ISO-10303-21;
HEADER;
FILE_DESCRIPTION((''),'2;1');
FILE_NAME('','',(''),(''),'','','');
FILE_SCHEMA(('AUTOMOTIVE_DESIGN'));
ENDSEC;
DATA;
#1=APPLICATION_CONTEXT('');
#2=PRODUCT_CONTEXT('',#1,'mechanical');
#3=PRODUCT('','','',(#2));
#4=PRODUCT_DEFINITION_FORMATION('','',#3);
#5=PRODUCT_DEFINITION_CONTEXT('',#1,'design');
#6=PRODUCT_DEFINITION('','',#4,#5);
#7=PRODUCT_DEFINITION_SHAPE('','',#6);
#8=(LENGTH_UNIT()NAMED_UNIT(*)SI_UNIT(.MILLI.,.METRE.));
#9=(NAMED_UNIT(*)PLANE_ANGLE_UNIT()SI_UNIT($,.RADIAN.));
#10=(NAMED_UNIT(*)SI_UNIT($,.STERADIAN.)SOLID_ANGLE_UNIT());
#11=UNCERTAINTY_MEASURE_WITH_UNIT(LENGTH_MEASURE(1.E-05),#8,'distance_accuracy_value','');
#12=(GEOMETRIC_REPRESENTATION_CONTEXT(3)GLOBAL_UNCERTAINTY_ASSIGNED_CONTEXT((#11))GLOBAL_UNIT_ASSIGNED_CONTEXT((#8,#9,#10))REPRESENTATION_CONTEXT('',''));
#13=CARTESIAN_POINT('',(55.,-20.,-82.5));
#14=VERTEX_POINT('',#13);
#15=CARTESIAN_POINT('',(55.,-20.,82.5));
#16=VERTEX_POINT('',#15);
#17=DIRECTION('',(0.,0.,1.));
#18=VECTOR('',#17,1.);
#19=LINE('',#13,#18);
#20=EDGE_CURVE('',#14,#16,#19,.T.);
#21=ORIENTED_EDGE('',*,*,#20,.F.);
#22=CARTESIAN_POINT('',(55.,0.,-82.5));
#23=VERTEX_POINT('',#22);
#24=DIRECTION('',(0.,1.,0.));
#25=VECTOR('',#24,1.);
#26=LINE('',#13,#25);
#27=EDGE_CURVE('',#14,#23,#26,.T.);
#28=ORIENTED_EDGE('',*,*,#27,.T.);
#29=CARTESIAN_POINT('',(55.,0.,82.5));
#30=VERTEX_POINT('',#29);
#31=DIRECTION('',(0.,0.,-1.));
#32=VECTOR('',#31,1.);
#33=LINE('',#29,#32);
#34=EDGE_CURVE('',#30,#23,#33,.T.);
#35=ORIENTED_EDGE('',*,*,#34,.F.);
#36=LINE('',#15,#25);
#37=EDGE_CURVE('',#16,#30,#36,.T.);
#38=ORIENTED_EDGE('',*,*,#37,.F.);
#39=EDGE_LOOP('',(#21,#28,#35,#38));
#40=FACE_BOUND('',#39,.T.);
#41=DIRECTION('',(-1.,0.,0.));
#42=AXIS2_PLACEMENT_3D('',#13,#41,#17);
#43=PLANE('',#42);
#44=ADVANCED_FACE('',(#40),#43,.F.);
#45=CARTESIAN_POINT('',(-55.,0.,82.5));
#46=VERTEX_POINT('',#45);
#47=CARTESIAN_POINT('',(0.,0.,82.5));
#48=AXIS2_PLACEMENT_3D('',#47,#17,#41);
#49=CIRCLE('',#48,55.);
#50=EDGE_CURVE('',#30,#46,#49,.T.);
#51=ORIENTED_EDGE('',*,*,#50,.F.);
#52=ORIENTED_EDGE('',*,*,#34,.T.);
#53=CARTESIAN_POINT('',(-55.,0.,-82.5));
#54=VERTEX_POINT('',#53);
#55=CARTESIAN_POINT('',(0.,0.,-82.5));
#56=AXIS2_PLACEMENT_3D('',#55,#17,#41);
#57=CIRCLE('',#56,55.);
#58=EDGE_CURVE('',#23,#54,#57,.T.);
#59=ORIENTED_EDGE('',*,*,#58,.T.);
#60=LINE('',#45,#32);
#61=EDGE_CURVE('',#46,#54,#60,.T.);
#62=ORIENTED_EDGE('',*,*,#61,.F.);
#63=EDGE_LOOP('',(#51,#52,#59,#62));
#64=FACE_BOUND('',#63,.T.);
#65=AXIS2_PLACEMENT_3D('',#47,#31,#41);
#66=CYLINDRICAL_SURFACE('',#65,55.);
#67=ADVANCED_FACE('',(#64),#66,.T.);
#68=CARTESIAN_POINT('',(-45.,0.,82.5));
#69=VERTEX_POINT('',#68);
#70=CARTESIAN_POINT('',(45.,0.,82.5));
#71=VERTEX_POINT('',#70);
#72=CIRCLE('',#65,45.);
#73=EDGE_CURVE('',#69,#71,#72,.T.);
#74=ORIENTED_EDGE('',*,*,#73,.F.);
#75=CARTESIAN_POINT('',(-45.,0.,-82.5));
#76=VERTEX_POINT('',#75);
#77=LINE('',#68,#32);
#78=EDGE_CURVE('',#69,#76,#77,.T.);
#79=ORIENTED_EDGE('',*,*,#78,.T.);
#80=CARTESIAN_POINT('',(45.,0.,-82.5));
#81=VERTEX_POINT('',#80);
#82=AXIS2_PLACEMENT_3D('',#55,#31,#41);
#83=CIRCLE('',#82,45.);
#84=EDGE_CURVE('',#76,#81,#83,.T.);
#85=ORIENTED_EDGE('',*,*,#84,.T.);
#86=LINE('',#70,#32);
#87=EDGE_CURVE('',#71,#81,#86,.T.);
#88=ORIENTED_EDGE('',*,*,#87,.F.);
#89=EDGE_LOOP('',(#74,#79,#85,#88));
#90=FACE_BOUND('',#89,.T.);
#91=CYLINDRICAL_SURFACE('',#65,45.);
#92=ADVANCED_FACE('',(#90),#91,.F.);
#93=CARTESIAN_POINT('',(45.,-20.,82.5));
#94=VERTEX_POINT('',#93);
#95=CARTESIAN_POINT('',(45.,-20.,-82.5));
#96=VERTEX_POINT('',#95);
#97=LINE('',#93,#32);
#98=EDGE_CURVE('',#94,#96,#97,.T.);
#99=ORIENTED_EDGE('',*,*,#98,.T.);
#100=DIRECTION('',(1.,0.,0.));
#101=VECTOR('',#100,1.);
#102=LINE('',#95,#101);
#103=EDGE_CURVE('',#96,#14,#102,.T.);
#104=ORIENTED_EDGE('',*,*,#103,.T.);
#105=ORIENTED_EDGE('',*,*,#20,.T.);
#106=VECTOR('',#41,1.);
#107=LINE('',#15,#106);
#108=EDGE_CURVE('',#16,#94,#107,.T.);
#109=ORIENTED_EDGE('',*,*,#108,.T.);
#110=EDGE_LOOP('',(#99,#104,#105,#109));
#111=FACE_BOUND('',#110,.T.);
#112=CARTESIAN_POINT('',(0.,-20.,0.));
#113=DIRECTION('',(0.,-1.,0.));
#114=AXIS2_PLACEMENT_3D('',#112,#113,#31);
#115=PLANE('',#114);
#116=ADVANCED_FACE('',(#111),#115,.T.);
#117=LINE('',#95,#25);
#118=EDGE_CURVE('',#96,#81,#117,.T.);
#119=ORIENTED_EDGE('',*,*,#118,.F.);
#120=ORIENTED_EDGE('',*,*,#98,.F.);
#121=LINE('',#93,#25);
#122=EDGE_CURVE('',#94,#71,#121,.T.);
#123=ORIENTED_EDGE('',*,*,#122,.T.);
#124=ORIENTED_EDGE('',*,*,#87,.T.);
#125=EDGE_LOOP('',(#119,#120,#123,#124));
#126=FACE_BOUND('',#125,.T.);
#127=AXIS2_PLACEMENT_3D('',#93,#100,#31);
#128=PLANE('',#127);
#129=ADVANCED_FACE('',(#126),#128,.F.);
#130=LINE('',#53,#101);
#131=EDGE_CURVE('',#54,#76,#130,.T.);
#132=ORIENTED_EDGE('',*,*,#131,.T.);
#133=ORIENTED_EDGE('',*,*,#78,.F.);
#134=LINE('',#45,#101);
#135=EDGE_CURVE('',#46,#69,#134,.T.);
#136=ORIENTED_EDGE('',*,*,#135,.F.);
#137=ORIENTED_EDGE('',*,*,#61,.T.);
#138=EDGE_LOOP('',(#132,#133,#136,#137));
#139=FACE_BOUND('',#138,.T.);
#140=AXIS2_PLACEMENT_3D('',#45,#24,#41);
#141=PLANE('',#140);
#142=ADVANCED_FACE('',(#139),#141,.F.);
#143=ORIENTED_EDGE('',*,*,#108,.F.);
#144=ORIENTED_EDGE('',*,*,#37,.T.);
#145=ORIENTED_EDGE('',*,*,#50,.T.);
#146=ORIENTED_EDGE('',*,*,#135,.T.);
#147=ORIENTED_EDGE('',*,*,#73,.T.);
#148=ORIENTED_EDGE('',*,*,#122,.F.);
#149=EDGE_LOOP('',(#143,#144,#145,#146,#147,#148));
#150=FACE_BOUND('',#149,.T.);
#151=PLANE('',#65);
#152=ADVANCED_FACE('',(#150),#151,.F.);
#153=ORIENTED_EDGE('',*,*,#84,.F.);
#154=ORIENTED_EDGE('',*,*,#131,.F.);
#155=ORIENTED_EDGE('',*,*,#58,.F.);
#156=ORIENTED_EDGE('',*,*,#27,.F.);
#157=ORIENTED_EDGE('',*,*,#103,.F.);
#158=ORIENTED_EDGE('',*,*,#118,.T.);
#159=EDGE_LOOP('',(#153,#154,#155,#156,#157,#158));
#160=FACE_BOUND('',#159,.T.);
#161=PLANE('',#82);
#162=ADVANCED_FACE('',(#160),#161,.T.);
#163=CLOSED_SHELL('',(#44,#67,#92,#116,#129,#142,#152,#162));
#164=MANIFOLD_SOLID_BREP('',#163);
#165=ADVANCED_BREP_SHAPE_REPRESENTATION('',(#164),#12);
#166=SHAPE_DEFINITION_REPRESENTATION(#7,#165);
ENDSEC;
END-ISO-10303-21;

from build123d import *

# Parameters (mm, degrees)
BOSS_EXTRUDE1_DEPTH = 82.5
SKETCH3_W           = 10
SKETCH3_H           = 165
BOSS_EXTRUDE2_DEPTH = 20


with BuildPart() as part:
    # Sketch2 → Boss-Extrude1 (new body, symmetric)
    with BuildSketch(Plane.XY):
        with BuildLine():
            Line((-55, 0), (-45, 0))
            ThreePointArc((-45, 0), (0, 45), (45, 0))
            Line((45, 0), (55, 0))
            ThreePointArc((55, 0), (0, 55), (-55, 0))
        make_face()
    extrude(amount=BOSS_EXTRUDE1_DEPTH, both=True)

    # Sketch3 → Boss-Extrude2 (add)
    with BuildSketch(Plane.XZ):
        with Locations((50, 0)):
            Rectangle(SKETCH3_W, SKETCH3_H)
    extrude(amount=BOSS_EXTRUDE2_DEPTH)


solid = part.part
